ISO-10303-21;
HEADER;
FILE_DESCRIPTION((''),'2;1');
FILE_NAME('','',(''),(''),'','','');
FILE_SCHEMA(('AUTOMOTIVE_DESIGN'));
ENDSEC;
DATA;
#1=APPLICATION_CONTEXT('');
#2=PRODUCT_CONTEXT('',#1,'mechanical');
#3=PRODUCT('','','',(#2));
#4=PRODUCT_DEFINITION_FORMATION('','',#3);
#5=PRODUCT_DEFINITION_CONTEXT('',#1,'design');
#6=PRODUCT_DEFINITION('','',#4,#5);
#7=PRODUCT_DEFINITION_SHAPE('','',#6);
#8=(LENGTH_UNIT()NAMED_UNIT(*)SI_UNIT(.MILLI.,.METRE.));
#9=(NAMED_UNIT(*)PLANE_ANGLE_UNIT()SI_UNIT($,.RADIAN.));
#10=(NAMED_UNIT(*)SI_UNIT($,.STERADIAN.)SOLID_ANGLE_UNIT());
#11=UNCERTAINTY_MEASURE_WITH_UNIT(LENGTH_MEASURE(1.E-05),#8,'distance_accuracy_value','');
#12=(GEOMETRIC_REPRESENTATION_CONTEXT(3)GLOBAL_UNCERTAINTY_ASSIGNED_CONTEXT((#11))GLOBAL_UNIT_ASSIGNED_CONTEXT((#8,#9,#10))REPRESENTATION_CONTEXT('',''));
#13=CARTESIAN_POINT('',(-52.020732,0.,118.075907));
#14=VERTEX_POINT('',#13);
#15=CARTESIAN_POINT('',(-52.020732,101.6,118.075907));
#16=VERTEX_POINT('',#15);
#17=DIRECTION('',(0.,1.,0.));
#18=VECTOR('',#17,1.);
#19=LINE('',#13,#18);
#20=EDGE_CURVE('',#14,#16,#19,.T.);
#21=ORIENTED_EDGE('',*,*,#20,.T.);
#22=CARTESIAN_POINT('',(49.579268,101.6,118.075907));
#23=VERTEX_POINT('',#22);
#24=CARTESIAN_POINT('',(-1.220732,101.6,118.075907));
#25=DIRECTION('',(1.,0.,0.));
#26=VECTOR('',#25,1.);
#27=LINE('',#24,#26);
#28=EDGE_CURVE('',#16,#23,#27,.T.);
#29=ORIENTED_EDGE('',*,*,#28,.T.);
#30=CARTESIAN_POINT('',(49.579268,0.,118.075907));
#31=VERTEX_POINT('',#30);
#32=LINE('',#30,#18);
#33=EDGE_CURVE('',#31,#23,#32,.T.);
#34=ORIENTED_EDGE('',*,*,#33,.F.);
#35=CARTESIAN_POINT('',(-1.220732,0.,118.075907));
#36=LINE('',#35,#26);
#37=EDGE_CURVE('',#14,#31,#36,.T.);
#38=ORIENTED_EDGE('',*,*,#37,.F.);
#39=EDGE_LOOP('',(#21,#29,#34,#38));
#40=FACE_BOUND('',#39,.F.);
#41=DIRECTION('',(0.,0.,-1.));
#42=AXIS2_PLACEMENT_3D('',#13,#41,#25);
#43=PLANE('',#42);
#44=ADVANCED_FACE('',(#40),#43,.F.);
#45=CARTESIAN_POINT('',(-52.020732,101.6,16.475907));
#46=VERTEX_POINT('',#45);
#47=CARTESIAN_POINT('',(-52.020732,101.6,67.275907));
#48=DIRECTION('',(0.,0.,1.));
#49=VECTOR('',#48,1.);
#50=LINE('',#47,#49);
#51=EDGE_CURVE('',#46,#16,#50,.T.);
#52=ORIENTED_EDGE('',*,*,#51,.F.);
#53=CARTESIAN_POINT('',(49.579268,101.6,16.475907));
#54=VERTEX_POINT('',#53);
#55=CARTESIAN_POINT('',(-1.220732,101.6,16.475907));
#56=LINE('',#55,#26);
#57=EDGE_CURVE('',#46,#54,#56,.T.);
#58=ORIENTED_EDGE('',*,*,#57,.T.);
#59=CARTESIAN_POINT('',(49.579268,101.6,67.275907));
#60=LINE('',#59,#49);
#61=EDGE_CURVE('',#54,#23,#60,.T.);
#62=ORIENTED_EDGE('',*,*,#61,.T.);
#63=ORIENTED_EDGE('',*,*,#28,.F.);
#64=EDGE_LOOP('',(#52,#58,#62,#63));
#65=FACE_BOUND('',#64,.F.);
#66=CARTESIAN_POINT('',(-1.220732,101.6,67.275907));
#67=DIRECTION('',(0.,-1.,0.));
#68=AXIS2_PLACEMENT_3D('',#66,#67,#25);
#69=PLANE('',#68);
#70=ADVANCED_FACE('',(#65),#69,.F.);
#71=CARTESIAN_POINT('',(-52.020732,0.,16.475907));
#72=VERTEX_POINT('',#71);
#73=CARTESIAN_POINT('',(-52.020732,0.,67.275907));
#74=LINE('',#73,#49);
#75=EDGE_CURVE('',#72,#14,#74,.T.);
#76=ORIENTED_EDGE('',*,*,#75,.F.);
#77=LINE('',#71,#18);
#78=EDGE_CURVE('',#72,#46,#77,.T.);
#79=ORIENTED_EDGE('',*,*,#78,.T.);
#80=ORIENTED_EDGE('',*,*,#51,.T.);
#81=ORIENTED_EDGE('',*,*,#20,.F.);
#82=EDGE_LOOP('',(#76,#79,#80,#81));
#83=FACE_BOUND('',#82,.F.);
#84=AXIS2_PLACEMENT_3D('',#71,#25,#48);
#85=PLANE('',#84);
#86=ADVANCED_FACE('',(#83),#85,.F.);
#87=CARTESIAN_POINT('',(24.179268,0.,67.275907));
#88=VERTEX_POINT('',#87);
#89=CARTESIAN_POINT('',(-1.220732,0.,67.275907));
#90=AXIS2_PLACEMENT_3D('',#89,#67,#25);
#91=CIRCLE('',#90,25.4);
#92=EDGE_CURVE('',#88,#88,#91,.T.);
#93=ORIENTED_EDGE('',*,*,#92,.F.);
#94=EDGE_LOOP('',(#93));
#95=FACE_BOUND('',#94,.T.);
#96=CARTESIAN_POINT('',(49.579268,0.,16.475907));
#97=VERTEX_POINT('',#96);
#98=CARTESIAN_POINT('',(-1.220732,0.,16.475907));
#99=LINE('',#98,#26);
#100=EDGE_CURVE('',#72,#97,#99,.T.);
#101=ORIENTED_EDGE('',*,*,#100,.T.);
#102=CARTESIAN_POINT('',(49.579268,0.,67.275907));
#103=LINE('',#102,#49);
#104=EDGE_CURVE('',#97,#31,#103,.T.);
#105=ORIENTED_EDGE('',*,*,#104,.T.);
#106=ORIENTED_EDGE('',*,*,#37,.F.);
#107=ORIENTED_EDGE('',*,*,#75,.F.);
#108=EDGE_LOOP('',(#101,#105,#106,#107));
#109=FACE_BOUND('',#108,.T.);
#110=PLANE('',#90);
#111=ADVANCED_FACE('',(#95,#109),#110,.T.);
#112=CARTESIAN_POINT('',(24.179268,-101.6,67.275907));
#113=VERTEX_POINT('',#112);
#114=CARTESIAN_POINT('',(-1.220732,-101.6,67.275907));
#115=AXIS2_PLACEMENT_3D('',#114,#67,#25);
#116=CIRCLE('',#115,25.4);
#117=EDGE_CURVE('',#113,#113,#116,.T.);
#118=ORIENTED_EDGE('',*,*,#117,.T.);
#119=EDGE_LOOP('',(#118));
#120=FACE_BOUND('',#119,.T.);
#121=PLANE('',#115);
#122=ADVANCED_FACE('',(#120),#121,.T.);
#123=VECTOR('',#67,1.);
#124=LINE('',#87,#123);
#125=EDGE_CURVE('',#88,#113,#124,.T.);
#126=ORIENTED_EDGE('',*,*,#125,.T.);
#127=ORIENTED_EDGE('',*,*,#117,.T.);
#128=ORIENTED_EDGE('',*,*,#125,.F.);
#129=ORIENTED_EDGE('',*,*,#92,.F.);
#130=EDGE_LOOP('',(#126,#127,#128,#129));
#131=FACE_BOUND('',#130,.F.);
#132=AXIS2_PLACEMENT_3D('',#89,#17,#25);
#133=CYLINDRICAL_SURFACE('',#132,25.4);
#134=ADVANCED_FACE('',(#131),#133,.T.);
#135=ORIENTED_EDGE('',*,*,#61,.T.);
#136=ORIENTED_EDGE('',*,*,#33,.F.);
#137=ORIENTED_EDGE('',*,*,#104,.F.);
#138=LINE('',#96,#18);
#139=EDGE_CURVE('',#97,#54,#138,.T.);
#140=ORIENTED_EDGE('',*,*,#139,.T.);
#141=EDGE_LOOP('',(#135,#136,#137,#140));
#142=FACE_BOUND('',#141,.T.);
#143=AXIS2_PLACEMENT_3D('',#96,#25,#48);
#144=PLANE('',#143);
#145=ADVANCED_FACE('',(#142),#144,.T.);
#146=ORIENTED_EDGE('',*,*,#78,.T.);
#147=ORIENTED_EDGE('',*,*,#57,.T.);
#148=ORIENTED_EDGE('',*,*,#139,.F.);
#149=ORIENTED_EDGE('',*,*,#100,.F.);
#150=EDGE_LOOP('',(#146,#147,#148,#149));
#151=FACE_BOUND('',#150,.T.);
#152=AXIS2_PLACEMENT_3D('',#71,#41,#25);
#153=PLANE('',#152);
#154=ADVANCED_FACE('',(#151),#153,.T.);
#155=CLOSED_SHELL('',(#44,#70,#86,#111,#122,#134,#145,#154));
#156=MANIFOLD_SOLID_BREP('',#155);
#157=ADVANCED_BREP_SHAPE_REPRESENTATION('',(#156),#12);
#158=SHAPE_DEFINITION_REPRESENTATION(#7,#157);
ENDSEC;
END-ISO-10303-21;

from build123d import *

# Parameters (mm, degrees)
F0_W     = 101.6
F0_H     = 101.6
F1_DEPTH = 101.6
F2_R     = 25.4
F3_DEPTH = 101.6


with BuildPart() as f1:
    # F0 (on Front) → F1 (new body)
    with BuildSketch(Plane.XZ):
        with Locations((-1.220732, 67.275907)):
            Rectangle(F0_W, F0_H)
    extrude(amount=-F1_DEPTH)

    # F2 (on face) → F3 (join)
    with BuildSketch(Plane.XZ):
        with Locations((-1.220732, 67.275907)):
            Circle(F2_R)
    extrude(amount=F3_DEPTH)


solid = f1.part
